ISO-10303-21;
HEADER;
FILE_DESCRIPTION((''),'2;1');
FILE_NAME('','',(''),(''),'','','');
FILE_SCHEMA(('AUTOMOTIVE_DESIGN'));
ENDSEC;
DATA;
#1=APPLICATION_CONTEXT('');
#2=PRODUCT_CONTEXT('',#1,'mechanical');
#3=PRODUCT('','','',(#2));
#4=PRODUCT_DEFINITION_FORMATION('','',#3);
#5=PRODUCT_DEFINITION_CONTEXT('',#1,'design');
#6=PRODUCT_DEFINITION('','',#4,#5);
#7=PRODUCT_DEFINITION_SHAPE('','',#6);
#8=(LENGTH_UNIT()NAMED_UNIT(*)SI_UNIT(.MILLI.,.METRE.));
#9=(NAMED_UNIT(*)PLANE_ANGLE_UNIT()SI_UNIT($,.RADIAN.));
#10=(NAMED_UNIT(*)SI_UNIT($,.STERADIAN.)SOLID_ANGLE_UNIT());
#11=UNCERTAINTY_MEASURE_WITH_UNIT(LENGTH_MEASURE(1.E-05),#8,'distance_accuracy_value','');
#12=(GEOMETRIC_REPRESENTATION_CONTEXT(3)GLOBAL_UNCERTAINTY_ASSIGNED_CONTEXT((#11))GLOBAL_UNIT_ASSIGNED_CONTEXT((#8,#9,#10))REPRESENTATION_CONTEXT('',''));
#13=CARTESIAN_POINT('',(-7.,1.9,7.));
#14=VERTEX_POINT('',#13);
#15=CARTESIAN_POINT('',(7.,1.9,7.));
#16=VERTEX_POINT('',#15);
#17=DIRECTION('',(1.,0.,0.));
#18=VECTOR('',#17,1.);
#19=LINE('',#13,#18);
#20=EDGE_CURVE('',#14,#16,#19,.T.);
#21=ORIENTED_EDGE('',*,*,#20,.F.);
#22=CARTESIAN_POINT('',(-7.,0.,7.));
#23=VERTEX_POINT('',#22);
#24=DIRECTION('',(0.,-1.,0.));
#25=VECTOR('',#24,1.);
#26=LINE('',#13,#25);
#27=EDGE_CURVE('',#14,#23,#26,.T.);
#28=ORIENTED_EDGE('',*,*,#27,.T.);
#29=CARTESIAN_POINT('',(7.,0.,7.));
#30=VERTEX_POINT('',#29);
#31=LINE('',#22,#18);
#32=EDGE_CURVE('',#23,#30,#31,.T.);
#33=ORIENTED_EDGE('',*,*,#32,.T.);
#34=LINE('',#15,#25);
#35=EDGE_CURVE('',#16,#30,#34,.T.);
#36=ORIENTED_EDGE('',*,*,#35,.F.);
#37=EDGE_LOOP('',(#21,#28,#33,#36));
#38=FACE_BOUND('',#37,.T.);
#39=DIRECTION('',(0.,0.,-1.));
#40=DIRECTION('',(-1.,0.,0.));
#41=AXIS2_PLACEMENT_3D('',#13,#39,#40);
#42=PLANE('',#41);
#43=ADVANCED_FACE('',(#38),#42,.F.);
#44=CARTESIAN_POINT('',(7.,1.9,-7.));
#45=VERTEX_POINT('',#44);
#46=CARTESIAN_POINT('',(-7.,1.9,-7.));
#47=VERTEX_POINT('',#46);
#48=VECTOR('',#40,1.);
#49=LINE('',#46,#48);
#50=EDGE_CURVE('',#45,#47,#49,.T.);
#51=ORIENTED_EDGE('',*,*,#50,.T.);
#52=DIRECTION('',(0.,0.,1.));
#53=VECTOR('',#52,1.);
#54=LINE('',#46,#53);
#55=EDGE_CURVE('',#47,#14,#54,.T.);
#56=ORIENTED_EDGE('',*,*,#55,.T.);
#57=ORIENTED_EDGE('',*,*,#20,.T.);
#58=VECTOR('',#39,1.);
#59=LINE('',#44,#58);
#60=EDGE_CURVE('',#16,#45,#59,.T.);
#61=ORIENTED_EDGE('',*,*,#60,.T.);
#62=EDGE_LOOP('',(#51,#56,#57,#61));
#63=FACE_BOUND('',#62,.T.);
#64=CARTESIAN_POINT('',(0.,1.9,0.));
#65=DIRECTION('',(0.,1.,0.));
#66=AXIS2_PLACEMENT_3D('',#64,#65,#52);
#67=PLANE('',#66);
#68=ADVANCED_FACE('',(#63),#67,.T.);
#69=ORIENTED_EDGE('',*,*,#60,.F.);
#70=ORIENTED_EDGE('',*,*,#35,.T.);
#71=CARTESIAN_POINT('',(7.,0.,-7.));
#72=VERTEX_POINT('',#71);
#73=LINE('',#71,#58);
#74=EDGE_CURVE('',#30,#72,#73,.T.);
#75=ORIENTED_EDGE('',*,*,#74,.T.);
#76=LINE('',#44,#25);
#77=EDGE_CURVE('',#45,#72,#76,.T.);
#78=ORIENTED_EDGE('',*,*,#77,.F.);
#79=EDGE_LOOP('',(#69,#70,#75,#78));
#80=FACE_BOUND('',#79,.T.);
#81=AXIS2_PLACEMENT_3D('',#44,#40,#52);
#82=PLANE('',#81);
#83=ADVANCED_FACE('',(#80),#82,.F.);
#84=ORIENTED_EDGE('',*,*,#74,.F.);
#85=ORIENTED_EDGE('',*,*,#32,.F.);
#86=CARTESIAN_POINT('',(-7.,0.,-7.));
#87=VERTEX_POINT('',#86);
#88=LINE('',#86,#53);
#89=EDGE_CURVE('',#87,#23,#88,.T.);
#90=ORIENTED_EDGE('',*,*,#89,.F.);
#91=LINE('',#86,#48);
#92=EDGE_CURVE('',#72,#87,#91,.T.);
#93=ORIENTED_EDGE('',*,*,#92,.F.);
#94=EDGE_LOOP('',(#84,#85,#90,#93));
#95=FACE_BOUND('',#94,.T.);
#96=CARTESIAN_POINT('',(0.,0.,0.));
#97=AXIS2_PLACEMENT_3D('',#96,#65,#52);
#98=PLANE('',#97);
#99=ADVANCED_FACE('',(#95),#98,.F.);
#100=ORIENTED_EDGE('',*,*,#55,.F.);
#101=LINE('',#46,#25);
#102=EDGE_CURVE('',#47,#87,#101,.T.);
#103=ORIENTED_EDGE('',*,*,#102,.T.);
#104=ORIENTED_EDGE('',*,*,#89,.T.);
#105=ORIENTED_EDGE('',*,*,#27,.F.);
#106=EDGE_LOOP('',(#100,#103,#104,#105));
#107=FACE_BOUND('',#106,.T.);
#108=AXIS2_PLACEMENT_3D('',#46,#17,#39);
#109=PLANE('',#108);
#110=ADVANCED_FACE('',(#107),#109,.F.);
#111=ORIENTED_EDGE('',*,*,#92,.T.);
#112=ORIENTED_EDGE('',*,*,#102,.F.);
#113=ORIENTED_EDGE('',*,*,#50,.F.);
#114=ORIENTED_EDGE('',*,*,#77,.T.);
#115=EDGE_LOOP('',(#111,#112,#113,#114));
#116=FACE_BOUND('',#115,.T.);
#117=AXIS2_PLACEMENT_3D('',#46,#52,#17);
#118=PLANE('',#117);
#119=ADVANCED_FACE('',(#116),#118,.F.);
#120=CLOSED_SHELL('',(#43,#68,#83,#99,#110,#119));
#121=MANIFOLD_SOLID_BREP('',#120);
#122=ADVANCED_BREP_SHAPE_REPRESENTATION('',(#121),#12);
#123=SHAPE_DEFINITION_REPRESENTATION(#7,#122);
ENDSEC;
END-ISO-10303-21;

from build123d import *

# Parameters (mm, degrees)
SKETCH_1_W      = 14
SKETCH_1_H      = 14
EXTRUDE_1_DEPTH = 1.9


with BuildPart() as part:
    # 草图1 → 凸台-拉伸1 (new body)
    with BuildSketch(Plane(origin=(0, 0, 0), x_dir=(1, 0, 0), z_dir=(0, 1, 0))):
        Rectangle(SKETCH_1_W, SKETCH_1_H)
    extrude(amount=EXTRUDE_1_DEPTH)


solid = part.part
